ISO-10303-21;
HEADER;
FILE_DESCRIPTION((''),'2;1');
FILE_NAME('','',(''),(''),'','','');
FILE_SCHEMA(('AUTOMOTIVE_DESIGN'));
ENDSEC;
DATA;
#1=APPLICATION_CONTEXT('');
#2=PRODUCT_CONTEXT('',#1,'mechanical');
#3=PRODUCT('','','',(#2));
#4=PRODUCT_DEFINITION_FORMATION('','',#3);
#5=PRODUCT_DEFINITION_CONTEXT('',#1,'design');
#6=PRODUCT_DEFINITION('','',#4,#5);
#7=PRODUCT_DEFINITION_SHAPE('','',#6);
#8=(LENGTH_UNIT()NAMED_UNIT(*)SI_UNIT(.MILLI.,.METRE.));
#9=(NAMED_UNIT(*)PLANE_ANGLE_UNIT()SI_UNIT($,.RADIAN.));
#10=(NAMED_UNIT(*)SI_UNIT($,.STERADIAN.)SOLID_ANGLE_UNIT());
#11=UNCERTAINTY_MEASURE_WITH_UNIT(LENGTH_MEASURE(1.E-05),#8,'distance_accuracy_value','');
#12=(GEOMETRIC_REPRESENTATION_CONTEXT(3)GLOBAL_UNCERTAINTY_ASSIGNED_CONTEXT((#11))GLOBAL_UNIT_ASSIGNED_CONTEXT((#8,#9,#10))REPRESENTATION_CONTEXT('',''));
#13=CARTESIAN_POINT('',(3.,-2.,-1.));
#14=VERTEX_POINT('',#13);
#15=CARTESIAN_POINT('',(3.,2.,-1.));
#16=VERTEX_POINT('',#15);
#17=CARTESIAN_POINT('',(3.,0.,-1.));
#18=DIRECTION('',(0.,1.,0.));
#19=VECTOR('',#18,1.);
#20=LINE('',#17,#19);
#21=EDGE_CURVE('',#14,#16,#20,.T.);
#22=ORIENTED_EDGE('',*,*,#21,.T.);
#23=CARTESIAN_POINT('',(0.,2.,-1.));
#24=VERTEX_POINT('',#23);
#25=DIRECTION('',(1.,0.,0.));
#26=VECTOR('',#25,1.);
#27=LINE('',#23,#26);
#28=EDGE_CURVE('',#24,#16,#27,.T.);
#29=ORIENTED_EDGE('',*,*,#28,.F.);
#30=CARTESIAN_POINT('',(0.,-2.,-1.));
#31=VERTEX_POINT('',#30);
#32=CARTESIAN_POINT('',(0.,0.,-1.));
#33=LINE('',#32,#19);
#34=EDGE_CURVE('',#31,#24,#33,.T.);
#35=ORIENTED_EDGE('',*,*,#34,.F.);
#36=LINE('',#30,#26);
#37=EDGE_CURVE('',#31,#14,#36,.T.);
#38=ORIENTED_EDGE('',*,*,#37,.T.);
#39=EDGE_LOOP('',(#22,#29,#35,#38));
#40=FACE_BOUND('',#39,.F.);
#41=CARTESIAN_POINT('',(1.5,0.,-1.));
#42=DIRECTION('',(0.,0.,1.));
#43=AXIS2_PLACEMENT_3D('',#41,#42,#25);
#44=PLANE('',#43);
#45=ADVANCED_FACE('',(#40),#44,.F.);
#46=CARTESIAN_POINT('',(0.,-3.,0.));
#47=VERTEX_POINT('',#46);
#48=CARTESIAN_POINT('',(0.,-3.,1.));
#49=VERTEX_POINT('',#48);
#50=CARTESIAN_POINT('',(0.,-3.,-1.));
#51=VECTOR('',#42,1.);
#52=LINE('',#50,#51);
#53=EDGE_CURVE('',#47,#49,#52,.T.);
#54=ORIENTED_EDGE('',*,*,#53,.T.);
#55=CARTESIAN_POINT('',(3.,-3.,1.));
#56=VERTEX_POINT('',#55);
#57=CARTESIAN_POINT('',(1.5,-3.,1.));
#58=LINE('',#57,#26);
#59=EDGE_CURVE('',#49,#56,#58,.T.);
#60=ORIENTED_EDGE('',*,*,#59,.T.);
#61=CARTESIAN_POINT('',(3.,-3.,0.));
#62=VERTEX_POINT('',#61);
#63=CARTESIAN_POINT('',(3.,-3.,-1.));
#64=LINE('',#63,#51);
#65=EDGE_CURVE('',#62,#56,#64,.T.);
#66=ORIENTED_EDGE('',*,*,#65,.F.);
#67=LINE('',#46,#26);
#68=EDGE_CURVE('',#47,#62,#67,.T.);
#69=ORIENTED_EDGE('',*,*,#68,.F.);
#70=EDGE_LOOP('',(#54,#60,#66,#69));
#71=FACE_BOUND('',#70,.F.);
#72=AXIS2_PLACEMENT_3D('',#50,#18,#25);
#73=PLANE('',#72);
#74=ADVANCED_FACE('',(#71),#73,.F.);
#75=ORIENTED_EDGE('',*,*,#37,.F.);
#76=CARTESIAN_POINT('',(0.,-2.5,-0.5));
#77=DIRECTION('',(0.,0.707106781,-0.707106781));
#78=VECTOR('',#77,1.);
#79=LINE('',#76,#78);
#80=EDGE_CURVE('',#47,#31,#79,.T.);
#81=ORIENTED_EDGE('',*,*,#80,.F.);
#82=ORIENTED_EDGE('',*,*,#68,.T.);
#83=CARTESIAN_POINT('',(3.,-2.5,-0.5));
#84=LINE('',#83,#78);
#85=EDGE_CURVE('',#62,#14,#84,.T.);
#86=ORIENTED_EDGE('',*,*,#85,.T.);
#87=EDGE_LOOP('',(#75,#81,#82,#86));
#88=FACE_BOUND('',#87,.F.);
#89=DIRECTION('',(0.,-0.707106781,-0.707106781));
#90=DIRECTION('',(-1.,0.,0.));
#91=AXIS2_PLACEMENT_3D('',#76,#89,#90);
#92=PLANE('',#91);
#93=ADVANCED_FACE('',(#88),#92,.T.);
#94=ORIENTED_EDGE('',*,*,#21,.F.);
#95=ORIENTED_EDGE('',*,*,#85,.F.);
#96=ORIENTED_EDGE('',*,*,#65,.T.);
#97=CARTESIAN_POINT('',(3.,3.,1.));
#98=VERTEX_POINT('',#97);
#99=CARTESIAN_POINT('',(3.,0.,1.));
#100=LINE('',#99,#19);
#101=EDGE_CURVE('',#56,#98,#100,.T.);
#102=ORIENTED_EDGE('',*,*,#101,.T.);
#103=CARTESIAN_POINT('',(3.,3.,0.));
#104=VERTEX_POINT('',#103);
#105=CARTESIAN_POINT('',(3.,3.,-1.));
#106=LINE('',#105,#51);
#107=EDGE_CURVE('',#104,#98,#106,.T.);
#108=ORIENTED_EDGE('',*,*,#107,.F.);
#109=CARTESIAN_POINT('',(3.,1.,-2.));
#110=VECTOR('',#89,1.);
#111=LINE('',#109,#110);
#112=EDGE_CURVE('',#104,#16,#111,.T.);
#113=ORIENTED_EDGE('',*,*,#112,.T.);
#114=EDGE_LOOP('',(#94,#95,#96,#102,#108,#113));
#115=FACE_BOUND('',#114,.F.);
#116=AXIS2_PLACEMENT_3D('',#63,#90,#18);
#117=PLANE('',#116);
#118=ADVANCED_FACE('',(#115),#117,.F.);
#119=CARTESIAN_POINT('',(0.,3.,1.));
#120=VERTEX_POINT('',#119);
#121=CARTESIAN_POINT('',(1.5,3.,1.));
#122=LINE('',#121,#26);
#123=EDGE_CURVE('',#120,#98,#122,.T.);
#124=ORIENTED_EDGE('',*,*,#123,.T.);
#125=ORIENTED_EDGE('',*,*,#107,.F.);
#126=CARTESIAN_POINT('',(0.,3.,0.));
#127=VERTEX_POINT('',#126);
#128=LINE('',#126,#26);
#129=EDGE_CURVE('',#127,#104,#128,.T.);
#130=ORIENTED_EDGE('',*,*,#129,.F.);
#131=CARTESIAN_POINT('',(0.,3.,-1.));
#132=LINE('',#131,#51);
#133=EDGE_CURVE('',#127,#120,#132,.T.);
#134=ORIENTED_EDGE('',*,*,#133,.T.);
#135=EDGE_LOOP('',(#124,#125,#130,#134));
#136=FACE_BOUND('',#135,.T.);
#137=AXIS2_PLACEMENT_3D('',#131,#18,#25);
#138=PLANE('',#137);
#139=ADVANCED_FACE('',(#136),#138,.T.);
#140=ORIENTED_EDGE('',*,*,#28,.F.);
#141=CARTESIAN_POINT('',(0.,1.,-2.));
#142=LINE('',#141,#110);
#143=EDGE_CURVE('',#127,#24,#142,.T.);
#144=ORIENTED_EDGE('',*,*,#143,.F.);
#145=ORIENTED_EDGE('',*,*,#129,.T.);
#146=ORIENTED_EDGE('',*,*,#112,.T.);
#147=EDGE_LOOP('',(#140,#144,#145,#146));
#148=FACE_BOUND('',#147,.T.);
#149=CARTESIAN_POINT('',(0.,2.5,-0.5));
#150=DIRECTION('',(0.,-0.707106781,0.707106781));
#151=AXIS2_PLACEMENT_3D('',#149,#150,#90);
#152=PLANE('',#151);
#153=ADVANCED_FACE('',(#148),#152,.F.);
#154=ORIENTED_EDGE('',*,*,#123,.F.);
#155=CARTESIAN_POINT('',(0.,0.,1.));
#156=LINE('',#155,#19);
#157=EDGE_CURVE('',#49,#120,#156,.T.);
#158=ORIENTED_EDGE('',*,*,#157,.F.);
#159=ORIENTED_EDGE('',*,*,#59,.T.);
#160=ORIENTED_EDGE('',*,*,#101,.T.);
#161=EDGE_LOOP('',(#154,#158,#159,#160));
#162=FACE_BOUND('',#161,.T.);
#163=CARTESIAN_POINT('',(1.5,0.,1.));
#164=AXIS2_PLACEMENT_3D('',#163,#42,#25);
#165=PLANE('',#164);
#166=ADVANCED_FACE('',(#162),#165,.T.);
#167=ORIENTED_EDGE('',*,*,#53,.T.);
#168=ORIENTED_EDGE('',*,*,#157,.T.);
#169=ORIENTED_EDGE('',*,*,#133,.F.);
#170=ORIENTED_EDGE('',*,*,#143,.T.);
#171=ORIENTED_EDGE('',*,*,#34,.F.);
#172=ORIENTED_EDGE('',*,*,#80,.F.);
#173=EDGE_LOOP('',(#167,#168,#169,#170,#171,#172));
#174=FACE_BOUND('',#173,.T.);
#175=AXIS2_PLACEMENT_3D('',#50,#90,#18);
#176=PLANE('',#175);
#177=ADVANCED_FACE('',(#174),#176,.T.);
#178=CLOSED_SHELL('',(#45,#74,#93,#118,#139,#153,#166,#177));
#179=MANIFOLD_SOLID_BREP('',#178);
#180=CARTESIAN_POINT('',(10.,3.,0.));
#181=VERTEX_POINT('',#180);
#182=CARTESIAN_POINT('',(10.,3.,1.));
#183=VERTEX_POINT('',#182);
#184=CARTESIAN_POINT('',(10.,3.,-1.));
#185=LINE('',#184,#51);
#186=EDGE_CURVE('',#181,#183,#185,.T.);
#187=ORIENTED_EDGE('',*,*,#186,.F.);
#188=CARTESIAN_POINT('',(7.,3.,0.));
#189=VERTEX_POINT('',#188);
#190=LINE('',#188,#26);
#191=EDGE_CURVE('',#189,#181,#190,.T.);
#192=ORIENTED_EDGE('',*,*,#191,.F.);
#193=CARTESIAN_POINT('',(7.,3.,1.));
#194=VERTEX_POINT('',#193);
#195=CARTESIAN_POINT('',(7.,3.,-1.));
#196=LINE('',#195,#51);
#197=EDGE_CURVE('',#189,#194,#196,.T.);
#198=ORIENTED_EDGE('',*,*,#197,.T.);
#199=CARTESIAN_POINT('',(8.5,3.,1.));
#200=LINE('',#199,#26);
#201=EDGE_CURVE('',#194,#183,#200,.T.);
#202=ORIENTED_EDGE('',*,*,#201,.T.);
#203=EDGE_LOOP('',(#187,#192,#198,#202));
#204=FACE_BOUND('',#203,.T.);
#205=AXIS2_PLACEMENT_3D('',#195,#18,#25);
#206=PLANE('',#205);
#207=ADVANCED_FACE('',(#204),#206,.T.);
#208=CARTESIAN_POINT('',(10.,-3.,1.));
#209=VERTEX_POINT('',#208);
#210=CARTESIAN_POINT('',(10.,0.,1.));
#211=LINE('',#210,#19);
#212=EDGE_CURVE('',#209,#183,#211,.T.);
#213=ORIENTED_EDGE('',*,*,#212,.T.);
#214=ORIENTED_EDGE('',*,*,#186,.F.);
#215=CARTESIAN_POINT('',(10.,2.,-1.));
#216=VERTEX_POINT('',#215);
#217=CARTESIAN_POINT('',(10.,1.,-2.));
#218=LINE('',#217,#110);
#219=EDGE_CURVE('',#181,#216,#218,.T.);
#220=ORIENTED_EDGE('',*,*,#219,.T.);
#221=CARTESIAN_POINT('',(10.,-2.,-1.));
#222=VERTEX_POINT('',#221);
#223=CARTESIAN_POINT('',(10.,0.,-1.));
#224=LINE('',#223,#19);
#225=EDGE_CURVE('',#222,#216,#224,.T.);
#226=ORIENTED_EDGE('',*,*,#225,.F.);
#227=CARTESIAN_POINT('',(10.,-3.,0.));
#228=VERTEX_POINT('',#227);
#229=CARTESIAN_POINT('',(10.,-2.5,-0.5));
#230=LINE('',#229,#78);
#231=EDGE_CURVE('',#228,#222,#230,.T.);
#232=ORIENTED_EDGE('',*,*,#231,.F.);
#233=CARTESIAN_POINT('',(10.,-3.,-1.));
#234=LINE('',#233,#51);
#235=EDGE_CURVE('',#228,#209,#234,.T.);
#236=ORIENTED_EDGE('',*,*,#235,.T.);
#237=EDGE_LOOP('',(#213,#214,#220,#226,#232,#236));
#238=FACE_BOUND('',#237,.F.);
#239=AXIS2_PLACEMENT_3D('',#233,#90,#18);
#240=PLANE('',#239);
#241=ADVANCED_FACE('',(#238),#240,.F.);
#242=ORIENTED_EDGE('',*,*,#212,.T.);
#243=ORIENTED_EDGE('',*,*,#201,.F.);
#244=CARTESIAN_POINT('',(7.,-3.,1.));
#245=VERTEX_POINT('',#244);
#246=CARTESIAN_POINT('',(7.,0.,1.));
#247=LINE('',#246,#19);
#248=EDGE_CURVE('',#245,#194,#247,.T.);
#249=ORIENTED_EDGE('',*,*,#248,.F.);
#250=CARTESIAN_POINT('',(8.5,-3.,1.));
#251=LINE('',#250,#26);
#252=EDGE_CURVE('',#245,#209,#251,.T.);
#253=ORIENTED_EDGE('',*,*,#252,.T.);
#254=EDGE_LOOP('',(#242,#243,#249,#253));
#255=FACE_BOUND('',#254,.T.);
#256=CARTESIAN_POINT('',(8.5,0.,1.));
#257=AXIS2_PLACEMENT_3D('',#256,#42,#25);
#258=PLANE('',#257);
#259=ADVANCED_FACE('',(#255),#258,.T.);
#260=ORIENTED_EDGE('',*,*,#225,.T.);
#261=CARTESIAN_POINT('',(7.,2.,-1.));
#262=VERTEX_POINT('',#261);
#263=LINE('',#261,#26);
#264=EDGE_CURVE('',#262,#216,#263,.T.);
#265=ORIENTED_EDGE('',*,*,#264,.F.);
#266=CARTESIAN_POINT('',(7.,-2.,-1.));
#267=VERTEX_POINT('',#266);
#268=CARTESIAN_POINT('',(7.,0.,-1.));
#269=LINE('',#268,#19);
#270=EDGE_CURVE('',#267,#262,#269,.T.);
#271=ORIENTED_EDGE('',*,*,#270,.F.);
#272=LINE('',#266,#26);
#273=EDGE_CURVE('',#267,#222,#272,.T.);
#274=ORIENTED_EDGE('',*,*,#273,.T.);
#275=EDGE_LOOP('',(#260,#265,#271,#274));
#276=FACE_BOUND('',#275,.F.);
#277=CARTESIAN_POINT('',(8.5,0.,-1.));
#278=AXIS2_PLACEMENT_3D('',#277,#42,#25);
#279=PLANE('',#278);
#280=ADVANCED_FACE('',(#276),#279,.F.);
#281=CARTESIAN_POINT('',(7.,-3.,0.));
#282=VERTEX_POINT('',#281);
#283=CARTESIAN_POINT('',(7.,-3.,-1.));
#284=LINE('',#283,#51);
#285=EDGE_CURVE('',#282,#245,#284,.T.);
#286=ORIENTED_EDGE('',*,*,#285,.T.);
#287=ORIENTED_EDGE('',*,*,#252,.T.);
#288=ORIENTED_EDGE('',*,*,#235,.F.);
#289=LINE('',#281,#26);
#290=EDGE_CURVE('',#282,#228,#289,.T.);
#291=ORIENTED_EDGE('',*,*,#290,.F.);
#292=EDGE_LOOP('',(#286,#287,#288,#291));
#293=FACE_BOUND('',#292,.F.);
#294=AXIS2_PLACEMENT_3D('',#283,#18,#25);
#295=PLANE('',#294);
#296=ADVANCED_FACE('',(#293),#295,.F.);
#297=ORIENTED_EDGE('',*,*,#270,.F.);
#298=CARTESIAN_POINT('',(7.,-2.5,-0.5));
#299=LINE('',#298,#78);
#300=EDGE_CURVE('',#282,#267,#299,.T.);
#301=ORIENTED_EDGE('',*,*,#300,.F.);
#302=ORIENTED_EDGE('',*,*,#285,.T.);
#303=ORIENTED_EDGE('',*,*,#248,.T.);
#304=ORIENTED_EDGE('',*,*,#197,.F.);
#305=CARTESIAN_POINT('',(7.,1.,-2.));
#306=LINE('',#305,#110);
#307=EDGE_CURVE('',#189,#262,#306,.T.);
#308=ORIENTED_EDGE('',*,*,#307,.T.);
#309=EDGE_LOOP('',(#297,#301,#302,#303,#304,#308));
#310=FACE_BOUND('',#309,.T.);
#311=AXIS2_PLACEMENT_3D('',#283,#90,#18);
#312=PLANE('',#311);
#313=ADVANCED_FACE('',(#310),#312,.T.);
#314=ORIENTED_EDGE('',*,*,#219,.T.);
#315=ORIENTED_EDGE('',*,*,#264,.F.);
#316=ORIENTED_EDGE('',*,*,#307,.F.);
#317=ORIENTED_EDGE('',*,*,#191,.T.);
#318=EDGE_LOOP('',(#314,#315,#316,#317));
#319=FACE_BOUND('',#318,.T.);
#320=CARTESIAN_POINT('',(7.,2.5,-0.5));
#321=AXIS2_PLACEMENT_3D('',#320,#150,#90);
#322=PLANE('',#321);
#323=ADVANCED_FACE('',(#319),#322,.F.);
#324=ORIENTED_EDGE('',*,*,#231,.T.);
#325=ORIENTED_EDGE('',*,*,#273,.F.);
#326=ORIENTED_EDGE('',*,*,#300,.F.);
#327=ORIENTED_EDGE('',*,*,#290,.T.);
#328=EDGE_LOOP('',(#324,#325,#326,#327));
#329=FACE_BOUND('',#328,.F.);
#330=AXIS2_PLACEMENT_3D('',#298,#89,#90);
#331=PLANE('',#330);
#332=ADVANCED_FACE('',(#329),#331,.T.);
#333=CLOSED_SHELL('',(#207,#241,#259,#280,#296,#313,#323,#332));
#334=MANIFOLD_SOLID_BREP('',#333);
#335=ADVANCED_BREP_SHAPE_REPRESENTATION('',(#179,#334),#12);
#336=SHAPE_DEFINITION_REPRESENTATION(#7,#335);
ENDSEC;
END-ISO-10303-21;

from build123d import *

# Parameters (mm, degrees)
BOX001_W        = 3
BOX001_H        = 6
BOX001_DEPTH    = 2
BOX_W           = 3
BOX_H           = 6
BOX_DEPTH       = 2
CHAMFER003_SIZE = 1


with BuildPart() as cube001:
    # Box001 → Box001 (new body)
    with BuildSketch(Plane(origin=(7, -3, -1), x_dir=(1, 0, 0), z_dir=(0, 0, 1))):
        with Locations((1.5, 3)):
            Rectangle(BOX001_W, BOX001_H)
    extrude(amount=BOX001_DEPTH)


with BuildPart() as chamfer003:
    # Box → Box (new body)
    with BuildSketch(Plane(origin=(0, -3, -1), x_dir=(1, 0, 0), z_dir=(0, 0, 1))):
        with Locations((1.5, 3)):
            Rectangle(BOX_W, BOX_H)
    extrude(amount=BOX_DEPTH)

    # Fusion: union Cube001
    add(cube001.part)

    # Chamfer003
    chamfer003_edges = [chamfer003.edges().sort_by_distance(p)[0] for p in [
        (1.5, -3, -1),
        (1.5, 3, -1),
        (8.5, -3, -1),
        (8.5, 3, -1),
    ]]
    chamfer(chamfer003_edges, length=CHAMFER003_SIZE)


solid = chamfer003.part
